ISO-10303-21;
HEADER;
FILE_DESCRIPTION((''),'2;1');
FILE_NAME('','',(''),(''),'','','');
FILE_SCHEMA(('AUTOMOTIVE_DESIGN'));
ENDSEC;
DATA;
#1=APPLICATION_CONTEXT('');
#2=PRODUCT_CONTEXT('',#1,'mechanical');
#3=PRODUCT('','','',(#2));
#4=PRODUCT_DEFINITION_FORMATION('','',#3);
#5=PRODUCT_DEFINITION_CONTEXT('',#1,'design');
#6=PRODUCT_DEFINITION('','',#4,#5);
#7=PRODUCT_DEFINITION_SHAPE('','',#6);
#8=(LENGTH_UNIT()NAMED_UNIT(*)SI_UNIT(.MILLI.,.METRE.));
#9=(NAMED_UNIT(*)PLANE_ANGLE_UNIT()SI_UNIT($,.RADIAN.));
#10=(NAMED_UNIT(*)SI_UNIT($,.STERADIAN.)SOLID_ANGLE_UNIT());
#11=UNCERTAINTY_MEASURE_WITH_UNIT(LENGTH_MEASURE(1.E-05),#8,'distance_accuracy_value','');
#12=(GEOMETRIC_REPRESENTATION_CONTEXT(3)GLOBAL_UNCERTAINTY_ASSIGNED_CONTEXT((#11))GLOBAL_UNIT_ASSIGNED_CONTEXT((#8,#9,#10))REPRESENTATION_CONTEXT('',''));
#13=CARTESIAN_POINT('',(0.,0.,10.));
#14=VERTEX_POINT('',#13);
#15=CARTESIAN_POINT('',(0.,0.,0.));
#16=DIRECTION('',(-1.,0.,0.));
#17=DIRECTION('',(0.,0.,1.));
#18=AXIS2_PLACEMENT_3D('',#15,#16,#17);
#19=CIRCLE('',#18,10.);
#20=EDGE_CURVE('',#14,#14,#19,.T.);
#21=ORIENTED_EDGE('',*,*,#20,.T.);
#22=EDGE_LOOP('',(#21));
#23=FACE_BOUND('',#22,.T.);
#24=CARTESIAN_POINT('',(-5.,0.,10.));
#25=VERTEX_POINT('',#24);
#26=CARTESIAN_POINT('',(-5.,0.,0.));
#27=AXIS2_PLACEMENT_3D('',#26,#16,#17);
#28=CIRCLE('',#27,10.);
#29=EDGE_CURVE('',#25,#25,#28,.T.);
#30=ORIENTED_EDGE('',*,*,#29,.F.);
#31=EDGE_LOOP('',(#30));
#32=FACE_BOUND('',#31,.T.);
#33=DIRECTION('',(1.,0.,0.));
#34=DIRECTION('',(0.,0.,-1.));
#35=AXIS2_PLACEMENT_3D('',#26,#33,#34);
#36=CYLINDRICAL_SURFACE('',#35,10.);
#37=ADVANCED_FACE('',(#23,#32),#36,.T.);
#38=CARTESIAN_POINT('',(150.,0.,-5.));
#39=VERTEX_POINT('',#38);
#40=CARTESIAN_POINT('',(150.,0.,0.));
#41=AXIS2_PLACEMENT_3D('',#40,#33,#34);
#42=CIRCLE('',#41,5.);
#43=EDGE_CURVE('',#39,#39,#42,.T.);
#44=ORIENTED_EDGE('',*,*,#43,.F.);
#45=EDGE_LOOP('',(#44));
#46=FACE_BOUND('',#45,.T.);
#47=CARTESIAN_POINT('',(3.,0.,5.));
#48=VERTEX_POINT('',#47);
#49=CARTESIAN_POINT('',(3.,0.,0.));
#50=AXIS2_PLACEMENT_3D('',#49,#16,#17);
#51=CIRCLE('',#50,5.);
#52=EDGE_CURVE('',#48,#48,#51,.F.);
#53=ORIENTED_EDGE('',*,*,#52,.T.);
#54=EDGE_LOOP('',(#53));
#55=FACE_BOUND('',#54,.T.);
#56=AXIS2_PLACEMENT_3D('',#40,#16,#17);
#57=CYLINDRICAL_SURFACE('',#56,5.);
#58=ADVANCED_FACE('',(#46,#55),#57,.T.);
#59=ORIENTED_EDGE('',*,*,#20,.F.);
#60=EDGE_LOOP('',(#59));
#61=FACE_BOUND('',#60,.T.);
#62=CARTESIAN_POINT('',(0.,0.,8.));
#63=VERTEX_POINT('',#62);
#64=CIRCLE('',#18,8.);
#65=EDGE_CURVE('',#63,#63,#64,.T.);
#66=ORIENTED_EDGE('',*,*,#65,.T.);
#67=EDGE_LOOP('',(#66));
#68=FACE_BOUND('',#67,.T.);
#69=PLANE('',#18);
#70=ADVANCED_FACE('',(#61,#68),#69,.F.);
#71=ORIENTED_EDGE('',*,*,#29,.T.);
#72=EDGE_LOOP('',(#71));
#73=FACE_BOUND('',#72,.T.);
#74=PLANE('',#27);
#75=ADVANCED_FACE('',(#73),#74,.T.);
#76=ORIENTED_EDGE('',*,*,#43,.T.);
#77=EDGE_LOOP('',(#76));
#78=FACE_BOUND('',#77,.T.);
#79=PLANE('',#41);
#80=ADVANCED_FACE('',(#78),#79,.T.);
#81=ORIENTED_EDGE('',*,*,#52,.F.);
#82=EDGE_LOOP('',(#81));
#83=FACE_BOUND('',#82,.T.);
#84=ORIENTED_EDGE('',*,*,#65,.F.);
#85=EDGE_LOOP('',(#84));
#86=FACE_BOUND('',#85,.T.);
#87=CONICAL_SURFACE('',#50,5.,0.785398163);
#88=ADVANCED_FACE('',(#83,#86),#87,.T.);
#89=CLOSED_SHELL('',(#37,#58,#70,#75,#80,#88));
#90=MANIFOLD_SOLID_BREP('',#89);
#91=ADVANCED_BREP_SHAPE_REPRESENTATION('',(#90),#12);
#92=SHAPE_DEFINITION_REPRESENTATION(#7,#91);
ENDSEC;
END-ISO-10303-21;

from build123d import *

# Parameters (mm, degrees)
SKETCH_1_R      = 5
EXTRUDE_1_DEPTH = 150
SKETCH_2_R      = 10
EXTRUDE_2_DEPTH = 5
CHAMFER_1_SIZE  = 3


with BuildPart() as part:
    # 草图1 → 凸台-拉伸1 (new body)
    with BuildSketch(Plane(origin=(0, 0, 0), x_dir=(0, 0, -1), z_dir=(1, 0, 0))):
        Circle(SKETCH_1_R)
    extrude(amount=EXTRUDE_1_DEPTH)

    # 草图2 → 凸台-拉伸2 (add)
    with BuildSketch(Plane.ZY):
        Circle(SKETCH_2_R)
    extrude(amount=EXTRUDE_2_DEPTH)

    # 倒角1
    chamfer_1_edges = [part.edges().sort_by_distance(p)[0] for p in [
        (0, 0, 5),
    ]]
    chamfer(chamfer_1_edges, length=CHAMFER_1_SIZE)


solid = part.part
